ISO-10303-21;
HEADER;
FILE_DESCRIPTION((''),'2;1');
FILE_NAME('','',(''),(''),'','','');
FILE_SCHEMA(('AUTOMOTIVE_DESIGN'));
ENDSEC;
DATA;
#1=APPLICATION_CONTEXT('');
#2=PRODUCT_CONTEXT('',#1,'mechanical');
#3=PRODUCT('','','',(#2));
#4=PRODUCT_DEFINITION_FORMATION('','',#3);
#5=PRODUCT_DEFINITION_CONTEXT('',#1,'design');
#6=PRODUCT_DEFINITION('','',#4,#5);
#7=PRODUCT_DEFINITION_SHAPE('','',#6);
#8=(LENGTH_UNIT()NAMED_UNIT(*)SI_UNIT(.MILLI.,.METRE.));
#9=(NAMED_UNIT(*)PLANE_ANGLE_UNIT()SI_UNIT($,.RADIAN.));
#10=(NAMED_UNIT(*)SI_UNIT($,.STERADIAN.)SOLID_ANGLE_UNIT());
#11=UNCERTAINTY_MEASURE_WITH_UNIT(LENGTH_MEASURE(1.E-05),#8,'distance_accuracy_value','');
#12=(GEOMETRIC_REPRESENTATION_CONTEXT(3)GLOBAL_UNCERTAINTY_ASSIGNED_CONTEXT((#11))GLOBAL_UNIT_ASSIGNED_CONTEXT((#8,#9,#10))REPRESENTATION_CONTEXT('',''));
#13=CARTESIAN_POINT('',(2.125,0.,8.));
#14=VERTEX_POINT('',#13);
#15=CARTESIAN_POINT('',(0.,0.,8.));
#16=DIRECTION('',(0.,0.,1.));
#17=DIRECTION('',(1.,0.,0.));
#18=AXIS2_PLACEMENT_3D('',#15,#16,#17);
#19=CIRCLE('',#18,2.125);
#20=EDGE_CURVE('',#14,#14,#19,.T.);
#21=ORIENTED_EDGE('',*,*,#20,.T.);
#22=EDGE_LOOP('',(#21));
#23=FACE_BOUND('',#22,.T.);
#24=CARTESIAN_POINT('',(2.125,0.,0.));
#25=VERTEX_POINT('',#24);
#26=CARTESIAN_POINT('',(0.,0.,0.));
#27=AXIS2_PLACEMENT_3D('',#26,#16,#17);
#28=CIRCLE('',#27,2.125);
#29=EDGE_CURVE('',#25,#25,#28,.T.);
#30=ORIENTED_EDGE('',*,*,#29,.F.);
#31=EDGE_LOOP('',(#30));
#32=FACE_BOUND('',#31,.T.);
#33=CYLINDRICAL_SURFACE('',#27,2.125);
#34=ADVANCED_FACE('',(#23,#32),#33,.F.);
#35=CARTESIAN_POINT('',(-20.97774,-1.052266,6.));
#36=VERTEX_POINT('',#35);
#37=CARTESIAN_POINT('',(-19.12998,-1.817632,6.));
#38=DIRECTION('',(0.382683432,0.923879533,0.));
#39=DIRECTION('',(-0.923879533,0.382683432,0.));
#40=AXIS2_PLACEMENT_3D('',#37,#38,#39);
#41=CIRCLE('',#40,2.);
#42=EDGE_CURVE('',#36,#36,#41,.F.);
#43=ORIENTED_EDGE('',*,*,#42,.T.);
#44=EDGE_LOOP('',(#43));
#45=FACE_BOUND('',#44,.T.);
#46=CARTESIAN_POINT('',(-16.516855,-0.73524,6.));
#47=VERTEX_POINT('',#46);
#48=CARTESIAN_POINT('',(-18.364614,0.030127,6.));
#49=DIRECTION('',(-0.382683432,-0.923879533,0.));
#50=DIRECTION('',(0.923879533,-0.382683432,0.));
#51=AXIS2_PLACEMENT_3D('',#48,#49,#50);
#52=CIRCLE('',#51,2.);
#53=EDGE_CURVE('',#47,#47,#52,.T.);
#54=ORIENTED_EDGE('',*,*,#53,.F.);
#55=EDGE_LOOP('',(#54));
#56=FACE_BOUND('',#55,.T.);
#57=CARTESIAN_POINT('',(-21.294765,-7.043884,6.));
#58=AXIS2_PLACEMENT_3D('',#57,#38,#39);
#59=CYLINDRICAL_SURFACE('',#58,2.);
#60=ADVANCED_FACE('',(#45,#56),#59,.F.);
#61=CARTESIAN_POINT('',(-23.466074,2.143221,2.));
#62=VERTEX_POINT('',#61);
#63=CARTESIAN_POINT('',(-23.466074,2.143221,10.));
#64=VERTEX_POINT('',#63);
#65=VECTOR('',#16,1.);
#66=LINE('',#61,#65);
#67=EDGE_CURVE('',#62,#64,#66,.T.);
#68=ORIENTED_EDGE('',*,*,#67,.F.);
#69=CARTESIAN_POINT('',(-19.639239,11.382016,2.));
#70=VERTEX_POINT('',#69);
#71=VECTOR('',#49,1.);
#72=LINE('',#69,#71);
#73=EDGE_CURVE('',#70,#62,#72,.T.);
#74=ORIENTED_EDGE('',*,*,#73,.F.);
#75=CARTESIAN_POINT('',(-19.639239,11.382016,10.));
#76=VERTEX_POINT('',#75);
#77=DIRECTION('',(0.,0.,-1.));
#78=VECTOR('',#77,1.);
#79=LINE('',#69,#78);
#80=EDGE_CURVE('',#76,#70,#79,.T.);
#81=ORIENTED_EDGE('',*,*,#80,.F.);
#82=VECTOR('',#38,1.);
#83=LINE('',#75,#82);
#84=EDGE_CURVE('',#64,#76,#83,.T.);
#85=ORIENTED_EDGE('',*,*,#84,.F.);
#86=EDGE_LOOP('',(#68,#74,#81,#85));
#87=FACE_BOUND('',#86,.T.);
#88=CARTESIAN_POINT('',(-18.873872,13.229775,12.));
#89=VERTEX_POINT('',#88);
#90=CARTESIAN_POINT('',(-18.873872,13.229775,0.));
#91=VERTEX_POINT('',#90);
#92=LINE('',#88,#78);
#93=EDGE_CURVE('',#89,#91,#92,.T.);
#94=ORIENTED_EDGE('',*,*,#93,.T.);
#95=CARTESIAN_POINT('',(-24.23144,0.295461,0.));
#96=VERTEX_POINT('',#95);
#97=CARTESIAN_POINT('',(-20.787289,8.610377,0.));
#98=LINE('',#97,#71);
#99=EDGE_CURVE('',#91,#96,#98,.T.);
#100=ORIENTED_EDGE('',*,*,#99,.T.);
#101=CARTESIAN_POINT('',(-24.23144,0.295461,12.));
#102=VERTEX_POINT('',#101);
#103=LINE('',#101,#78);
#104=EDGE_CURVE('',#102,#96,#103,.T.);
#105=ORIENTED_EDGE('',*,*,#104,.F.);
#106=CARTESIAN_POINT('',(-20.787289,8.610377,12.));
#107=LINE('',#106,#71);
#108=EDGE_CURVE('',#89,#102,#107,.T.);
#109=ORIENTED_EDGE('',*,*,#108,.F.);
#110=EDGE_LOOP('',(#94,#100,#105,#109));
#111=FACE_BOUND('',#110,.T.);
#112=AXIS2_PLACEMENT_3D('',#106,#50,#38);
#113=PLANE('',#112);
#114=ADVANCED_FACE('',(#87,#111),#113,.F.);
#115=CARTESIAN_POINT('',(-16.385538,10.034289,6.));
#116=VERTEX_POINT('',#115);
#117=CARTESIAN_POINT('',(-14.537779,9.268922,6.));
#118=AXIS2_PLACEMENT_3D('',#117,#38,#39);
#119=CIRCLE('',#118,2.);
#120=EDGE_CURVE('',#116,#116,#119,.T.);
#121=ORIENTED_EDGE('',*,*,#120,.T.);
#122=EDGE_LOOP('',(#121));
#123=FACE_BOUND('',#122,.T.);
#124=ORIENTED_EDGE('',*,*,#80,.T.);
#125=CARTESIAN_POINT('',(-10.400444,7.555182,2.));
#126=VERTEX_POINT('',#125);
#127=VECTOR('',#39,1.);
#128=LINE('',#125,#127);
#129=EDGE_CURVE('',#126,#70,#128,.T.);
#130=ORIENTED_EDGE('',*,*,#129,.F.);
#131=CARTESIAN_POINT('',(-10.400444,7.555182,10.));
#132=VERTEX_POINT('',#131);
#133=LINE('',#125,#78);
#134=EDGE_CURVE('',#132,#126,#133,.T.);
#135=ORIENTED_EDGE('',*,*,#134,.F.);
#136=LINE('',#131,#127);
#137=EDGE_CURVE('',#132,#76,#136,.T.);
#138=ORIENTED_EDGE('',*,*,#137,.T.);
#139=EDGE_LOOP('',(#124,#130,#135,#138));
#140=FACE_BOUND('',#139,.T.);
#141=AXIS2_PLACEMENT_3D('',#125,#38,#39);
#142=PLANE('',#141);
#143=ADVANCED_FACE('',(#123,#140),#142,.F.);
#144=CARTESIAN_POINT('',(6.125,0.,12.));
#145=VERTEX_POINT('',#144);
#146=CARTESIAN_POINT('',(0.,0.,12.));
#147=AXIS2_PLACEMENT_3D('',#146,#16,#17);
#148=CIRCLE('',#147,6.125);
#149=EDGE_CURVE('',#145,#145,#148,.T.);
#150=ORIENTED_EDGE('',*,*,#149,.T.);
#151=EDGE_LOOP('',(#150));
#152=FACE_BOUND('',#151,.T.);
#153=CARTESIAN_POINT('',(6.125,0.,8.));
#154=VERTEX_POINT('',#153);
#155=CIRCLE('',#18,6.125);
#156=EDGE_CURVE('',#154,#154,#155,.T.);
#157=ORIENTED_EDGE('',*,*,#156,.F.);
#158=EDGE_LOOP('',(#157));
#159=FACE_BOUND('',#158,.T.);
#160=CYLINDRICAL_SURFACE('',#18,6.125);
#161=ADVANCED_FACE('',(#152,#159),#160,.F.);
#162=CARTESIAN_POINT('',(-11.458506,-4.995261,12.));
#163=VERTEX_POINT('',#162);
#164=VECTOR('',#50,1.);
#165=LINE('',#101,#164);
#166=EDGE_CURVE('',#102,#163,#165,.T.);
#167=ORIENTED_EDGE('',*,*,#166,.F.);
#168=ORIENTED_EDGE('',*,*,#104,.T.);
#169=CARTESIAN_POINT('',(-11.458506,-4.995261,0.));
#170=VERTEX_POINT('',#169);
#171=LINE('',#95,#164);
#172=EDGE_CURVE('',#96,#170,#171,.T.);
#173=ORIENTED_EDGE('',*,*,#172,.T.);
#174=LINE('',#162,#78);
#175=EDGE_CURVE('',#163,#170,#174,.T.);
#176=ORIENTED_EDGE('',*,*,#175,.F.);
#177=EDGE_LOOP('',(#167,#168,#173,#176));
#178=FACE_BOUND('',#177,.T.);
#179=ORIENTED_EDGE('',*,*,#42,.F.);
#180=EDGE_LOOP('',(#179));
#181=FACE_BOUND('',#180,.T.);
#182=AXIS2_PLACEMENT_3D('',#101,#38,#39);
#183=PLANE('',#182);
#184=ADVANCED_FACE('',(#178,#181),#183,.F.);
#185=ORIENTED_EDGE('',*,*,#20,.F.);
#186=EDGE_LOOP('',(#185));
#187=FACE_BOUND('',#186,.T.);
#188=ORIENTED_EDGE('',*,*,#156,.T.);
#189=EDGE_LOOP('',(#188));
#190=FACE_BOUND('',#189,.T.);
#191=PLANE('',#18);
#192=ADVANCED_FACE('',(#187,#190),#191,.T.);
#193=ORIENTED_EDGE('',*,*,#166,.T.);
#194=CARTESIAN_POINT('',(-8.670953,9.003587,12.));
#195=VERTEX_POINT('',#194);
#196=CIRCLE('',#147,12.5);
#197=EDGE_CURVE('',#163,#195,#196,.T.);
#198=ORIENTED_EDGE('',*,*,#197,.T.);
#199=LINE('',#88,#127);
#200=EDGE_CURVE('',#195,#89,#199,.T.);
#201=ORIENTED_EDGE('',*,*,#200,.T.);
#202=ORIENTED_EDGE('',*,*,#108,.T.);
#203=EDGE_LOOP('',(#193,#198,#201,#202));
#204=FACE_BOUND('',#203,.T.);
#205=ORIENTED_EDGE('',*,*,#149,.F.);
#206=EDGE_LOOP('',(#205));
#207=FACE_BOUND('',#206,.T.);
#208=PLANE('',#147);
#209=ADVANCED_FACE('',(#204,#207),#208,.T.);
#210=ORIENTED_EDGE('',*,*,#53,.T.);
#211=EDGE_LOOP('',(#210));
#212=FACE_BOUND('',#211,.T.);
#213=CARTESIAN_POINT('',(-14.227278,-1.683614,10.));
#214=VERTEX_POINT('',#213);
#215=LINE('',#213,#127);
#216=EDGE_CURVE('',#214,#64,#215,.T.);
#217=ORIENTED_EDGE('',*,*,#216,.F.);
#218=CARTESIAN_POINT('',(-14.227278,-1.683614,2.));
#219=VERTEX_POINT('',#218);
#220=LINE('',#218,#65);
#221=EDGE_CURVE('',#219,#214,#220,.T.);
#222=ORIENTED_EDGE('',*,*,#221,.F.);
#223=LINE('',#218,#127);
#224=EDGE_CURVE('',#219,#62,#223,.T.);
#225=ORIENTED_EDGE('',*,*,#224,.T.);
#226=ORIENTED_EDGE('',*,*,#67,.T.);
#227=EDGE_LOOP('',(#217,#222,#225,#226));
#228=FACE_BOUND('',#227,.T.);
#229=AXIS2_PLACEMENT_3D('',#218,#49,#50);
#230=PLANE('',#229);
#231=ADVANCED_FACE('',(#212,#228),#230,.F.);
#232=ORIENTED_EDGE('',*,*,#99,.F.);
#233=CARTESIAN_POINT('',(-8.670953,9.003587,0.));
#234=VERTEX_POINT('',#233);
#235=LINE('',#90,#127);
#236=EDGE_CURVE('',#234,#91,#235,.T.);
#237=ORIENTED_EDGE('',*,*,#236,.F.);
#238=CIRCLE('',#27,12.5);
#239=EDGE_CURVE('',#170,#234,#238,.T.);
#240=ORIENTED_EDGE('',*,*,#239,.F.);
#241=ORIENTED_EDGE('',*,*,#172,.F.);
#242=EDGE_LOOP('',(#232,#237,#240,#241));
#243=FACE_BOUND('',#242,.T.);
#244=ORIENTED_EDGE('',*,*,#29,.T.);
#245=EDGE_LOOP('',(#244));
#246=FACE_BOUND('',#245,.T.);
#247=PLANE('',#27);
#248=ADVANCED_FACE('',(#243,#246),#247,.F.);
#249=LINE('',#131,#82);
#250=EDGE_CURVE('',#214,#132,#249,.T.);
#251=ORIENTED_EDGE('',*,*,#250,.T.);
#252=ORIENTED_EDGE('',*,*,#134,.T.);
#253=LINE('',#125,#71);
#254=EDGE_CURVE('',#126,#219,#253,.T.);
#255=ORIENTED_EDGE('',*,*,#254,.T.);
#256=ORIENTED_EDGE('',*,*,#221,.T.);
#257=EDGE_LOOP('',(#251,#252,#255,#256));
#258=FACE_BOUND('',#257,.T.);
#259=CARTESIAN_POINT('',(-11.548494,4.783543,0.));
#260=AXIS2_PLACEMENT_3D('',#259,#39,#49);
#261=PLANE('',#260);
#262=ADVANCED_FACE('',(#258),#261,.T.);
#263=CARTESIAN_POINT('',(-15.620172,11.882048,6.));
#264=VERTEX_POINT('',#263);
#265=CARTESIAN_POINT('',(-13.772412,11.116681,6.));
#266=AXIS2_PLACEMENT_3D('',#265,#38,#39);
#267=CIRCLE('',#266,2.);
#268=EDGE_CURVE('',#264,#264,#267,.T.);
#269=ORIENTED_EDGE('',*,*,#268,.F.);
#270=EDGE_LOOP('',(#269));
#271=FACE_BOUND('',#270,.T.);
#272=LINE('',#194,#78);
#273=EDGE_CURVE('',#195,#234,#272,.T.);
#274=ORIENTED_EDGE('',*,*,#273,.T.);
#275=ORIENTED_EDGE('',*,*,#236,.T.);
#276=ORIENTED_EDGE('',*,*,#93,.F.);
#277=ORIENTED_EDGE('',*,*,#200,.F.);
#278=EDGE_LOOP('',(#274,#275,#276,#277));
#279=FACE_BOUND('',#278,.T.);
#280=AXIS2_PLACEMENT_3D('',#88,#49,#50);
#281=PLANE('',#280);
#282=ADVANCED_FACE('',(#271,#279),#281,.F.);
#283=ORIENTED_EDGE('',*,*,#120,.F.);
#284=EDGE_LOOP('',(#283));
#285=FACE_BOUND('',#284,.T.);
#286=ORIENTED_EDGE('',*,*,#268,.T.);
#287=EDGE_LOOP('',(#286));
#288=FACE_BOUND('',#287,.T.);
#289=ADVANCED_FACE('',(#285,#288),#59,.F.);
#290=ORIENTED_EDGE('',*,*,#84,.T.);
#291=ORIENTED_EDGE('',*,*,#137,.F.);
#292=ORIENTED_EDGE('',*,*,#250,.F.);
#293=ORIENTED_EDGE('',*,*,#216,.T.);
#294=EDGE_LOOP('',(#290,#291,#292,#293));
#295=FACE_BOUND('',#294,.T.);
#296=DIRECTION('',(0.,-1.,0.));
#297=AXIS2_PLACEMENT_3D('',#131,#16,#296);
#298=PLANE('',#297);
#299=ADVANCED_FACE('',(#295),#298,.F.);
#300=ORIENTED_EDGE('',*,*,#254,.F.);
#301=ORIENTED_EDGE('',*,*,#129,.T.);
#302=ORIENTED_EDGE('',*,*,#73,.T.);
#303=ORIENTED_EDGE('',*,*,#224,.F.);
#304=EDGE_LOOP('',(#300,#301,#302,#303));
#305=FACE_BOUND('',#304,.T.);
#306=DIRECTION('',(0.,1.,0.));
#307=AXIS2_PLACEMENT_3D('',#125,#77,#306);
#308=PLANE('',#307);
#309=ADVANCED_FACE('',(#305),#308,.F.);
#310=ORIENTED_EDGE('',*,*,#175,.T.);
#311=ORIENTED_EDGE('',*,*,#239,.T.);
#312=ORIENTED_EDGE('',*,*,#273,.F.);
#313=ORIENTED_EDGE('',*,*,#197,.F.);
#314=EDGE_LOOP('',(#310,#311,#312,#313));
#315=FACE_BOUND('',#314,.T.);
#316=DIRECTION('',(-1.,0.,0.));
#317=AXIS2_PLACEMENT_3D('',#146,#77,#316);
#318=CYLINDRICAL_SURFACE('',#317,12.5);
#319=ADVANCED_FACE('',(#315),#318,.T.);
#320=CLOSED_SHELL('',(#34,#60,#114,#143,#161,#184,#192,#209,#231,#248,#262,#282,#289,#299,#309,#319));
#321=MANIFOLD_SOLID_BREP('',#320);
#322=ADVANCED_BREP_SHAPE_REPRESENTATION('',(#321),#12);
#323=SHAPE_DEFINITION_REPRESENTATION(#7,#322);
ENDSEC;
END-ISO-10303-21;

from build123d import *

# Parameters (mm, degrees)
SKETCH1_R           = 12.5
BOSS_EXTRUDE2_DEPTH = 12
BOSS_EXTRUDE3_DEPTH = 12
SKETCH3_W           = 8
SKETCH3_H           = 10
CUT_EXTRUDE1_DEPTH  = 10
SKETCH4_R           = 2
CUT_EXTRUDE2_DEPTH  = 14
SKETCH5_R           = 6.125
CUT_EXTRUDE3_DEPTH  = 4
SKETCH6_R           = 2.125
CUT_EXTRUDE4_DEPTH  = 9


with BuildPart() as part:
    # Sketch1 → Boss-Extrude2 (new body)
    with BuildSketch(Plane.XY):
        Circle(SKETCH1_R)
    extrude(amount=BOSS_EXTRUDE2_DEPTH)

    # Sketch2 → Boss-Extrude3 (add)
    with BuildSketch(Plane.XY):
        with BuildLine():
            Line((-24.231440373, 0.295461436), (-11.458506302, -4.995261088))
            ThreePointArc((-11.458506302, -4.995261088), (-12.259311424, 2.441164357), (-8.670952565, 9.003587153))
            Line((-8.670952565, 9.003587153), (-18.87387232, 13.229774891))
            Line((-18.87387232, 13.229774891), (-20.787289482, 8.610377228))
            Line((-20.787289482, 8.610377228), (-24.231440373, 0.295461436))
        make_face()
    extrude(amount=BOSS_EXTRUDE3_DEPTH)

    # Sketch3 → Cut-Extrude1 (cut)
    with BuildSketch(Plane(origin=(-20.787289482, 8.610377228, 0), x_dir=(0, 0, 1), z_dir=(-0.923879533, 0.382683432, 0))):
        with Locations((6, -2)):
            Rectangle(SKETCH3_W, SKETCH3_H)
    extrude(amount=-CUT_EXTRUDE1_DEPTH, mode=Mode.SUBTRACT)

    # Sketch4 → Cut-Extrude2 (cut)
    with BuildSketch(Plane(origin=(1.913417162, 4.619397663, 0), x_dir=(0.923879533, -0.382683432, 0), z_dir=(0.382683432, 0.923879533, 0))):
        with Locations((-16.978219619, -6)):
            Circle(SKETCH4_R)
    extrude(amount=-CUT_EXTRUDE2_DEPTH, mode=Mode.SUBTRACT)

    # Sketch5 → Cut-Extrude3 (cut)
    with BuildSketch(Plane.XY.offset(12)):
        Circle(SKETCH5_R)
    extrude(amount=-CUT_EXTRUDE3_DEPTH, mode=Mode.SUBTRACT)

    # Sketch6 → Cut-Extrude4 (cut, through all)
    with BuildSketch(Plane.XY.offset(8)):
        Circle(SKETCH6_R)
    extrude(amount=-CUT_EXTRUDE4_DEPTH, mode=Mode.SUBTRACT)


solid = part.part
